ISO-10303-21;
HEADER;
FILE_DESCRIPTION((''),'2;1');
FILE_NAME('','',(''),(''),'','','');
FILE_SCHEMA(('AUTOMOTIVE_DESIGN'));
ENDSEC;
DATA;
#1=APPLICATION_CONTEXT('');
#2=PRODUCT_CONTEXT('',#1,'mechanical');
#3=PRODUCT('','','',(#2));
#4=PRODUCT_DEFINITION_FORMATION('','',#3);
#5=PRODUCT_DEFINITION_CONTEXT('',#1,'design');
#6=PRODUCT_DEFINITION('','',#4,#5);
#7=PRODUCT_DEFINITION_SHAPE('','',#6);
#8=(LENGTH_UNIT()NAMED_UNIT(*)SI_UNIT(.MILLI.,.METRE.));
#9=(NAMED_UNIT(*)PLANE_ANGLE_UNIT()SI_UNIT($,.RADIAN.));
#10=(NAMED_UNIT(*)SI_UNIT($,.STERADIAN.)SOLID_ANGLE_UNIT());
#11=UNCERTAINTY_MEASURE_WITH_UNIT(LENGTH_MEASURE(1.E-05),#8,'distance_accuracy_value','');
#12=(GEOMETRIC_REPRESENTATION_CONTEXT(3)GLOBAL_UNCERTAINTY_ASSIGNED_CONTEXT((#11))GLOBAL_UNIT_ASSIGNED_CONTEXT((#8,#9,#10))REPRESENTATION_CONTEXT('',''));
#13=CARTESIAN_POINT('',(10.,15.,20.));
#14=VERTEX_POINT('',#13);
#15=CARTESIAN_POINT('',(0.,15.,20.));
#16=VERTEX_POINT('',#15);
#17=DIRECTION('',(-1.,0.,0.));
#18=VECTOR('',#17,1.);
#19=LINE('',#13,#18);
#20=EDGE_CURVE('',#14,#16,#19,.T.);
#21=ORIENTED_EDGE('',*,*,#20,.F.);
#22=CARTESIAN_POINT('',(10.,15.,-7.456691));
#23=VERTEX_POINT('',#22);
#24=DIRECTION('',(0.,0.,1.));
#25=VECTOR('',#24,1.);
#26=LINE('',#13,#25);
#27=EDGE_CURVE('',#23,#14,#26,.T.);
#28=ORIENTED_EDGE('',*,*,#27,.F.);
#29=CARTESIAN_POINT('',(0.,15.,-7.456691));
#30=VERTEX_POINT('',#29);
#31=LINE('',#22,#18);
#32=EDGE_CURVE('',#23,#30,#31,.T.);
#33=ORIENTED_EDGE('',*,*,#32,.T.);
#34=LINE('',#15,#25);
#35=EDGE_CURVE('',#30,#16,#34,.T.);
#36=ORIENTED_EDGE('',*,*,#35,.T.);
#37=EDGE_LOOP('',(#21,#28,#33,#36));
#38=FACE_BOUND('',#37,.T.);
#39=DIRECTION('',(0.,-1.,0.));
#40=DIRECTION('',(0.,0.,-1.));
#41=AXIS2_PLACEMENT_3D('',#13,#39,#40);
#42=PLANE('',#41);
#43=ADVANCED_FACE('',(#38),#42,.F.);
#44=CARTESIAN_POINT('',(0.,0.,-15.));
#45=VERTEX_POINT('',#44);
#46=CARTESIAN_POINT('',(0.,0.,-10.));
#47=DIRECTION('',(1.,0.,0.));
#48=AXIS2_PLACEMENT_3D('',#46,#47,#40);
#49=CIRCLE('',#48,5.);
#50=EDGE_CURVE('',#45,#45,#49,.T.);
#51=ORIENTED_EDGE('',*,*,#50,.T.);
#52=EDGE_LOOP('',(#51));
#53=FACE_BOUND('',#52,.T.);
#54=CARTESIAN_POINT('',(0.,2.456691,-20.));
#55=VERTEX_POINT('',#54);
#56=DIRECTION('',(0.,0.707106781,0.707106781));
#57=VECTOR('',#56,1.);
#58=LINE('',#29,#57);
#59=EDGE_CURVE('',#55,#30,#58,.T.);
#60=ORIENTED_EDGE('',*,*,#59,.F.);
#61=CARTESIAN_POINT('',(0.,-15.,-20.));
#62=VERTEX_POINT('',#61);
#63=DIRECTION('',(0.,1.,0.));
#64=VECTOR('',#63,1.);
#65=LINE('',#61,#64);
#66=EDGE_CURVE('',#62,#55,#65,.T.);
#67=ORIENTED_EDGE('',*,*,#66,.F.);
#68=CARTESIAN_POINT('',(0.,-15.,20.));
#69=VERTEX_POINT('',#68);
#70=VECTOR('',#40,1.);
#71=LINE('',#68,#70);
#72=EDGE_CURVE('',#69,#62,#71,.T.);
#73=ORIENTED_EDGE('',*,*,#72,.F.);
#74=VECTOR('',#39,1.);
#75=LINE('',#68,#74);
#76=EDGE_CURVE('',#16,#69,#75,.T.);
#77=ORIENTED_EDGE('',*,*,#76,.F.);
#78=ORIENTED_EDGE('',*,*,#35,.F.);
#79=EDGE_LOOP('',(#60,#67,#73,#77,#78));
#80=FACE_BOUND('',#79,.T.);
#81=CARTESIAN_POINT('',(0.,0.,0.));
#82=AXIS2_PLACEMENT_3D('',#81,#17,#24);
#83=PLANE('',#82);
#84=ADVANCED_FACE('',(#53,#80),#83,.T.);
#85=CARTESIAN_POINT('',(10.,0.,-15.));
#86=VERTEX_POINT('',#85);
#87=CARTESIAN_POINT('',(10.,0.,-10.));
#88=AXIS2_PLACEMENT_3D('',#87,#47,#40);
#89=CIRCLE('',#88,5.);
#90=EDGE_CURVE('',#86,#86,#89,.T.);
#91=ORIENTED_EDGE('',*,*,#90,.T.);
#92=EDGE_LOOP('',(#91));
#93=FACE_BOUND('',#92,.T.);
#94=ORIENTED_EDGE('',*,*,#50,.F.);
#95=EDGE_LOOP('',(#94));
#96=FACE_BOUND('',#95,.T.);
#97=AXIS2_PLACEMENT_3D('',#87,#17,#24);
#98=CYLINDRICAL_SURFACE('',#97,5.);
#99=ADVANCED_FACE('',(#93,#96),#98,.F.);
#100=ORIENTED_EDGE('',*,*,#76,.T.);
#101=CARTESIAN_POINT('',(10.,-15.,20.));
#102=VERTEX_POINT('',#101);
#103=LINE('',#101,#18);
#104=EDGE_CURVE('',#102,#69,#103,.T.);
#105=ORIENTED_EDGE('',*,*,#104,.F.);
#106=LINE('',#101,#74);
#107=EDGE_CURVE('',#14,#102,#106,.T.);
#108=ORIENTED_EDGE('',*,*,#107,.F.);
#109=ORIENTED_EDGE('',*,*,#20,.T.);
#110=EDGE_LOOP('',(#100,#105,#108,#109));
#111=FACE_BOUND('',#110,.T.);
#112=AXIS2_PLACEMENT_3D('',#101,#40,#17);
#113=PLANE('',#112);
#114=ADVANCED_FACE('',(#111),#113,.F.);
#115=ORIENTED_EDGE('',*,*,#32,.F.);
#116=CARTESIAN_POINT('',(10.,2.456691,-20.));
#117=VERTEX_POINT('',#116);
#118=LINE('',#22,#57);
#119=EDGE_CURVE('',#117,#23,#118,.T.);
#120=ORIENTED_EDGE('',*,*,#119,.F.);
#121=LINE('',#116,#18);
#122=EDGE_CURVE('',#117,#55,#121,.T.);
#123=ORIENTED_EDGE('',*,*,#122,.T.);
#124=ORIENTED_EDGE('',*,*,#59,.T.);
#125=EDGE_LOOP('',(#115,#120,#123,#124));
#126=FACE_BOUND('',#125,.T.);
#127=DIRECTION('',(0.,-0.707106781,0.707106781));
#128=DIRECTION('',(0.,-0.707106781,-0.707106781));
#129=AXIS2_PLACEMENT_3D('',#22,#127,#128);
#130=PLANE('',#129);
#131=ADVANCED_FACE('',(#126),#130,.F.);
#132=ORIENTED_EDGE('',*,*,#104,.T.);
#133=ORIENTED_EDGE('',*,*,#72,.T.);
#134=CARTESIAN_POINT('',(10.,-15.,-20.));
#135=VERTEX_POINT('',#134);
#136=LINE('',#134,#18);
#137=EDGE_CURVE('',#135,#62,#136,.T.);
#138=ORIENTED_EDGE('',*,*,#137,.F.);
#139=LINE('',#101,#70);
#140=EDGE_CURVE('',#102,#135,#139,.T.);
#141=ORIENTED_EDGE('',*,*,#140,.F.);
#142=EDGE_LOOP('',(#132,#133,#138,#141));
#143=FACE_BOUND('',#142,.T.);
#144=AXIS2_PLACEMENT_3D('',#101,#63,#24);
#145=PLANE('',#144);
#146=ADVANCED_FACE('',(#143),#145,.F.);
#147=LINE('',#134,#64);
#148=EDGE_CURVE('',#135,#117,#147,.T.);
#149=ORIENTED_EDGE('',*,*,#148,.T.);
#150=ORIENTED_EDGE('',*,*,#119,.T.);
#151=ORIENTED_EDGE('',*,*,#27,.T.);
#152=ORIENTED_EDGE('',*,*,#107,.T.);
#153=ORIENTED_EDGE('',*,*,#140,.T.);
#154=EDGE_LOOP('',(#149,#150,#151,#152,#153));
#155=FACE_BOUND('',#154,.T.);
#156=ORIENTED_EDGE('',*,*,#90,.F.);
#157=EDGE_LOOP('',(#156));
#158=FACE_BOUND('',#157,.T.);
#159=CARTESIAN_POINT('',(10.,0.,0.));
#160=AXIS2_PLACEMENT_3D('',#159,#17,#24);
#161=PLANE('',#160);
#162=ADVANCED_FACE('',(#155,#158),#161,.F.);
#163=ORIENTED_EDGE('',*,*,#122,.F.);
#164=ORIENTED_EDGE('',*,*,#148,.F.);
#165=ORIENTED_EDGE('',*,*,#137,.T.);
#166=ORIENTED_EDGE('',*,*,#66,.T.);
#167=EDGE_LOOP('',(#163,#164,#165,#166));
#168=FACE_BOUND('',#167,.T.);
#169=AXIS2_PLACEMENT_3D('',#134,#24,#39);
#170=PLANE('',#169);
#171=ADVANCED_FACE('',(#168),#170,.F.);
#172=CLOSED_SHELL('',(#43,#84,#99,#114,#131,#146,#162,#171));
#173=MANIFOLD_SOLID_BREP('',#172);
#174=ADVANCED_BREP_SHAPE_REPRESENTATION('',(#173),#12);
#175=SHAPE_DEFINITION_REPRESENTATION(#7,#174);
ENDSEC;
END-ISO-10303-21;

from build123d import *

# Parameters (mm, degrees)
SZKIC1_R                    = 5
DODANIE_WYCI_GNI_CIE1_DEPTH = 10


with BuildPart() as part:
    # Szkic1 → Dodanie-wyciągnięcie1 (new body)
    with BuildSketch(Plane(origin=(0, 0, 0), x_dir=(0, 0, -1), z_dir=(1, 0, 0))):
        Polygon((7.45669071, 15), (20, 2.45669071), (20, -15), (-20, -15), (-20, 15), align=None)
        with Locations((10, 0)):
            Circle(SZKIC1_R, mode=Mode.SUBTRACT)
    extrude(amount=DODANIE_WYCI_GNI_CIE1_DEPTH)


solid = part.part
